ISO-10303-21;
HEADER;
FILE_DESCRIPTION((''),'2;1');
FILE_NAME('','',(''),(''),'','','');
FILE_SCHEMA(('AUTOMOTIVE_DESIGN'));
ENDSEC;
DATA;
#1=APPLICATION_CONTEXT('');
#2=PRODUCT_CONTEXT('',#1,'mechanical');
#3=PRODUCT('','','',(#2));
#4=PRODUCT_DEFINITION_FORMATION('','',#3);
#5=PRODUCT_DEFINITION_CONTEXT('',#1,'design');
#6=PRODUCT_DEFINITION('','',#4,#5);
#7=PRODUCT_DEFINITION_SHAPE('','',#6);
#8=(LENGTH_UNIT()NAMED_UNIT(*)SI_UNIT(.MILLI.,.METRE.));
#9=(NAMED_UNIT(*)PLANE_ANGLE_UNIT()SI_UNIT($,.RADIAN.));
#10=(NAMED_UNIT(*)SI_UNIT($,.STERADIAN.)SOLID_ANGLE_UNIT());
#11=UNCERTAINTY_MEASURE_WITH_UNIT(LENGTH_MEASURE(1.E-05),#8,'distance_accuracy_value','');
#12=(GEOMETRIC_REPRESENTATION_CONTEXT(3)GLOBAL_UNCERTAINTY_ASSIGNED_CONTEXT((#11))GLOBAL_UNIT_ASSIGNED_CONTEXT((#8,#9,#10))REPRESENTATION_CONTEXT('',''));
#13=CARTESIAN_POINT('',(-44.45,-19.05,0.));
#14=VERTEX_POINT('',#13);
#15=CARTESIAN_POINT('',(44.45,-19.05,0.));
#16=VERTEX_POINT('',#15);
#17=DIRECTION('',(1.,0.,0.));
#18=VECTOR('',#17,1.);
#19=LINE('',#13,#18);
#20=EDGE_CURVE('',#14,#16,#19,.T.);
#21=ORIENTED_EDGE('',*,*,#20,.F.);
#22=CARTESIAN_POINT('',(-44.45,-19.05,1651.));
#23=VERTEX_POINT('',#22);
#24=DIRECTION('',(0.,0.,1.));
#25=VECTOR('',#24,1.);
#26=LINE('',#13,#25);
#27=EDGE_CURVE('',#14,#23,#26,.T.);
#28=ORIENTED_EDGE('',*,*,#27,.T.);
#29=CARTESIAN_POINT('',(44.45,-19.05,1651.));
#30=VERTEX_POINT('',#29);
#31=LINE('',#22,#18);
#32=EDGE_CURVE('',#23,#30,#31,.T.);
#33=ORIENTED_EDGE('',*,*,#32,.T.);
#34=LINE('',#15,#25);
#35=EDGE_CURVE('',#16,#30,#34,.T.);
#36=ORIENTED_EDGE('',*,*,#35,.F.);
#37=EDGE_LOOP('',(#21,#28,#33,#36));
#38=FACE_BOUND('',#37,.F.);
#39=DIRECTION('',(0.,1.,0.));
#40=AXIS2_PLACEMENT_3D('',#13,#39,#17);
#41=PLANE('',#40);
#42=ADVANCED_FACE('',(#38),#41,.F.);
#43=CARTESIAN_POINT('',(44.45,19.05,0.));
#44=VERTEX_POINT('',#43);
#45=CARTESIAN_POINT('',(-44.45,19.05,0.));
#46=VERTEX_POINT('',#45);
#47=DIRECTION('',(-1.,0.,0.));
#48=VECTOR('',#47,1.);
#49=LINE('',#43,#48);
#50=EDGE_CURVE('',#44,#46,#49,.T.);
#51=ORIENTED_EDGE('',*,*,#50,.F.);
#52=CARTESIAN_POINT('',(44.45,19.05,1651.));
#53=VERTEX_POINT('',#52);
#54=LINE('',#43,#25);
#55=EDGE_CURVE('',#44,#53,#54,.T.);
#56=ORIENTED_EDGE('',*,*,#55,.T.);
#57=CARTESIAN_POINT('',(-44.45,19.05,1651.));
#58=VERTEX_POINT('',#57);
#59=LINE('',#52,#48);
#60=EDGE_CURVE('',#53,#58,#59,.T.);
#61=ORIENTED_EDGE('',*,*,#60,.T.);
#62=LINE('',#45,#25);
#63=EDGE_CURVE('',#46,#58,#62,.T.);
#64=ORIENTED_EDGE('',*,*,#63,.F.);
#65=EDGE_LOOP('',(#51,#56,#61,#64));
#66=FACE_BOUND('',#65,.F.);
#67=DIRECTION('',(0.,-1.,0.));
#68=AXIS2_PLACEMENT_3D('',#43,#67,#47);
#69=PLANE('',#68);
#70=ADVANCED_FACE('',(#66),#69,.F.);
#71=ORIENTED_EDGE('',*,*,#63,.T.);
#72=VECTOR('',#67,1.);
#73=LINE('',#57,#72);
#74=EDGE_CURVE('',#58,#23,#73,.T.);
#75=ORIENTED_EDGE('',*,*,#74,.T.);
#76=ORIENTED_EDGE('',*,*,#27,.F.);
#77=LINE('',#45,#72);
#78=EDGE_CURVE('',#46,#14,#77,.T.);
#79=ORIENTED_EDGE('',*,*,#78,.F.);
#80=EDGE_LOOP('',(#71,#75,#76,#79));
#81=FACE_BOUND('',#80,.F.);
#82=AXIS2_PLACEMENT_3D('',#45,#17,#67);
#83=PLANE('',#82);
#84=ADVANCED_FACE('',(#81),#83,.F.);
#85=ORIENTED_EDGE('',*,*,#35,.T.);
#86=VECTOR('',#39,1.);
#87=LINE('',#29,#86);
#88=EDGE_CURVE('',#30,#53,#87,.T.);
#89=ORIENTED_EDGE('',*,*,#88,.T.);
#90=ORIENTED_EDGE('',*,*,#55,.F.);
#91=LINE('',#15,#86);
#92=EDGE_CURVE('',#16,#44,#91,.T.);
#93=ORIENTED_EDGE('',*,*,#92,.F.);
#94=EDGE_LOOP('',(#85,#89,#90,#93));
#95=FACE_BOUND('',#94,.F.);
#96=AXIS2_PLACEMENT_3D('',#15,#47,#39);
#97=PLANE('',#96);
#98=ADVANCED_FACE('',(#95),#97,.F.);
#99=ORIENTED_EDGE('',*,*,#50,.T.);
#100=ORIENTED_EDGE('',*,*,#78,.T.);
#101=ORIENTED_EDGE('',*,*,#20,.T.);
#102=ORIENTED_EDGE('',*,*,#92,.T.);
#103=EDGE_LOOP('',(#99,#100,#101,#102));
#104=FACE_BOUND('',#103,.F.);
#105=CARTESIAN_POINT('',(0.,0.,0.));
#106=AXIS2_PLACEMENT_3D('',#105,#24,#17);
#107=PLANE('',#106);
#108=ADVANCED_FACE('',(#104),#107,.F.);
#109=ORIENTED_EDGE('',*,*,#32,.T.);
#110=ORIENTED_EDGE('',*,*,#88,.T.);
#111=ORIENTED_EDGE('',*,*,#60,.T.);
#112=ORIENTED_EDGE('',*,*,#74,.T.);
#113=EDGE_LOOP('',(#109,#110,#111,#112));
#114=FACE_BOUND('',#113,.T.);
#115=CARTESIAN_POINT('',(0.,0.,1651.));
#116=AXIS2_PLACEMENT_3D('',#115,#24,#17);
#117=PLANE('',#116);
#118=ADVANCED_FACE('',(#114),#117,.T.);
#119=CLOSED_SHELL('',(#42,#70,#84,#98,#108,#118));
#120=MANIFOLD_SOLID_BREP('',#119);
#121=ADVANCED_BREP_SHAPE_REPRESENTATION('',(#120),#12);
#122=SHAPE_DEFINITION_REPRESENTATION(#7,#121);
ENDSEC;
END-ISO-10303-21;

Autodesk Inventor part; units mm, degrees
ref_plane "YZ Plane" through (0, 0, 0) normal (1, 0, 0) x (0, 1, 0)
ref_plane "XZ Plane" through (0, 0, 0) normal (0, 1, 0) x (-1, 0, 0)
ref_plane "XY Plane" through (0, 0, 0) normal (0, 0, 1) x (1, 0, 0)
sketch "Sketch1" plane through (0, 0, 0) normal (0, 0, 1) x (1, 0, 0)
  line L0 (-44.45, -19.05) -> (44.45, -19.05)
  line L1 (44.45, -19.05) -> (44.45, 19.05)
  line L2 (44.45, 19.05) -> (-44.45, 19.05)
  line L3 (-44.45, 19.05) -> (-44.45, -19.05)
  line L4 (-44.45, -19.05) -> (44.45, 19.05) construction
  line L5 (44.45, -19.05) -> (-44.45, 19.05) construction
  point P0 (0, 0)
  dimension "d0" = 88.9
  dimension "d1" = 38.1
extrude "Extrusion1" add sketch "Sketch1" along normal blind 1651
properties part number "2x4x65"
